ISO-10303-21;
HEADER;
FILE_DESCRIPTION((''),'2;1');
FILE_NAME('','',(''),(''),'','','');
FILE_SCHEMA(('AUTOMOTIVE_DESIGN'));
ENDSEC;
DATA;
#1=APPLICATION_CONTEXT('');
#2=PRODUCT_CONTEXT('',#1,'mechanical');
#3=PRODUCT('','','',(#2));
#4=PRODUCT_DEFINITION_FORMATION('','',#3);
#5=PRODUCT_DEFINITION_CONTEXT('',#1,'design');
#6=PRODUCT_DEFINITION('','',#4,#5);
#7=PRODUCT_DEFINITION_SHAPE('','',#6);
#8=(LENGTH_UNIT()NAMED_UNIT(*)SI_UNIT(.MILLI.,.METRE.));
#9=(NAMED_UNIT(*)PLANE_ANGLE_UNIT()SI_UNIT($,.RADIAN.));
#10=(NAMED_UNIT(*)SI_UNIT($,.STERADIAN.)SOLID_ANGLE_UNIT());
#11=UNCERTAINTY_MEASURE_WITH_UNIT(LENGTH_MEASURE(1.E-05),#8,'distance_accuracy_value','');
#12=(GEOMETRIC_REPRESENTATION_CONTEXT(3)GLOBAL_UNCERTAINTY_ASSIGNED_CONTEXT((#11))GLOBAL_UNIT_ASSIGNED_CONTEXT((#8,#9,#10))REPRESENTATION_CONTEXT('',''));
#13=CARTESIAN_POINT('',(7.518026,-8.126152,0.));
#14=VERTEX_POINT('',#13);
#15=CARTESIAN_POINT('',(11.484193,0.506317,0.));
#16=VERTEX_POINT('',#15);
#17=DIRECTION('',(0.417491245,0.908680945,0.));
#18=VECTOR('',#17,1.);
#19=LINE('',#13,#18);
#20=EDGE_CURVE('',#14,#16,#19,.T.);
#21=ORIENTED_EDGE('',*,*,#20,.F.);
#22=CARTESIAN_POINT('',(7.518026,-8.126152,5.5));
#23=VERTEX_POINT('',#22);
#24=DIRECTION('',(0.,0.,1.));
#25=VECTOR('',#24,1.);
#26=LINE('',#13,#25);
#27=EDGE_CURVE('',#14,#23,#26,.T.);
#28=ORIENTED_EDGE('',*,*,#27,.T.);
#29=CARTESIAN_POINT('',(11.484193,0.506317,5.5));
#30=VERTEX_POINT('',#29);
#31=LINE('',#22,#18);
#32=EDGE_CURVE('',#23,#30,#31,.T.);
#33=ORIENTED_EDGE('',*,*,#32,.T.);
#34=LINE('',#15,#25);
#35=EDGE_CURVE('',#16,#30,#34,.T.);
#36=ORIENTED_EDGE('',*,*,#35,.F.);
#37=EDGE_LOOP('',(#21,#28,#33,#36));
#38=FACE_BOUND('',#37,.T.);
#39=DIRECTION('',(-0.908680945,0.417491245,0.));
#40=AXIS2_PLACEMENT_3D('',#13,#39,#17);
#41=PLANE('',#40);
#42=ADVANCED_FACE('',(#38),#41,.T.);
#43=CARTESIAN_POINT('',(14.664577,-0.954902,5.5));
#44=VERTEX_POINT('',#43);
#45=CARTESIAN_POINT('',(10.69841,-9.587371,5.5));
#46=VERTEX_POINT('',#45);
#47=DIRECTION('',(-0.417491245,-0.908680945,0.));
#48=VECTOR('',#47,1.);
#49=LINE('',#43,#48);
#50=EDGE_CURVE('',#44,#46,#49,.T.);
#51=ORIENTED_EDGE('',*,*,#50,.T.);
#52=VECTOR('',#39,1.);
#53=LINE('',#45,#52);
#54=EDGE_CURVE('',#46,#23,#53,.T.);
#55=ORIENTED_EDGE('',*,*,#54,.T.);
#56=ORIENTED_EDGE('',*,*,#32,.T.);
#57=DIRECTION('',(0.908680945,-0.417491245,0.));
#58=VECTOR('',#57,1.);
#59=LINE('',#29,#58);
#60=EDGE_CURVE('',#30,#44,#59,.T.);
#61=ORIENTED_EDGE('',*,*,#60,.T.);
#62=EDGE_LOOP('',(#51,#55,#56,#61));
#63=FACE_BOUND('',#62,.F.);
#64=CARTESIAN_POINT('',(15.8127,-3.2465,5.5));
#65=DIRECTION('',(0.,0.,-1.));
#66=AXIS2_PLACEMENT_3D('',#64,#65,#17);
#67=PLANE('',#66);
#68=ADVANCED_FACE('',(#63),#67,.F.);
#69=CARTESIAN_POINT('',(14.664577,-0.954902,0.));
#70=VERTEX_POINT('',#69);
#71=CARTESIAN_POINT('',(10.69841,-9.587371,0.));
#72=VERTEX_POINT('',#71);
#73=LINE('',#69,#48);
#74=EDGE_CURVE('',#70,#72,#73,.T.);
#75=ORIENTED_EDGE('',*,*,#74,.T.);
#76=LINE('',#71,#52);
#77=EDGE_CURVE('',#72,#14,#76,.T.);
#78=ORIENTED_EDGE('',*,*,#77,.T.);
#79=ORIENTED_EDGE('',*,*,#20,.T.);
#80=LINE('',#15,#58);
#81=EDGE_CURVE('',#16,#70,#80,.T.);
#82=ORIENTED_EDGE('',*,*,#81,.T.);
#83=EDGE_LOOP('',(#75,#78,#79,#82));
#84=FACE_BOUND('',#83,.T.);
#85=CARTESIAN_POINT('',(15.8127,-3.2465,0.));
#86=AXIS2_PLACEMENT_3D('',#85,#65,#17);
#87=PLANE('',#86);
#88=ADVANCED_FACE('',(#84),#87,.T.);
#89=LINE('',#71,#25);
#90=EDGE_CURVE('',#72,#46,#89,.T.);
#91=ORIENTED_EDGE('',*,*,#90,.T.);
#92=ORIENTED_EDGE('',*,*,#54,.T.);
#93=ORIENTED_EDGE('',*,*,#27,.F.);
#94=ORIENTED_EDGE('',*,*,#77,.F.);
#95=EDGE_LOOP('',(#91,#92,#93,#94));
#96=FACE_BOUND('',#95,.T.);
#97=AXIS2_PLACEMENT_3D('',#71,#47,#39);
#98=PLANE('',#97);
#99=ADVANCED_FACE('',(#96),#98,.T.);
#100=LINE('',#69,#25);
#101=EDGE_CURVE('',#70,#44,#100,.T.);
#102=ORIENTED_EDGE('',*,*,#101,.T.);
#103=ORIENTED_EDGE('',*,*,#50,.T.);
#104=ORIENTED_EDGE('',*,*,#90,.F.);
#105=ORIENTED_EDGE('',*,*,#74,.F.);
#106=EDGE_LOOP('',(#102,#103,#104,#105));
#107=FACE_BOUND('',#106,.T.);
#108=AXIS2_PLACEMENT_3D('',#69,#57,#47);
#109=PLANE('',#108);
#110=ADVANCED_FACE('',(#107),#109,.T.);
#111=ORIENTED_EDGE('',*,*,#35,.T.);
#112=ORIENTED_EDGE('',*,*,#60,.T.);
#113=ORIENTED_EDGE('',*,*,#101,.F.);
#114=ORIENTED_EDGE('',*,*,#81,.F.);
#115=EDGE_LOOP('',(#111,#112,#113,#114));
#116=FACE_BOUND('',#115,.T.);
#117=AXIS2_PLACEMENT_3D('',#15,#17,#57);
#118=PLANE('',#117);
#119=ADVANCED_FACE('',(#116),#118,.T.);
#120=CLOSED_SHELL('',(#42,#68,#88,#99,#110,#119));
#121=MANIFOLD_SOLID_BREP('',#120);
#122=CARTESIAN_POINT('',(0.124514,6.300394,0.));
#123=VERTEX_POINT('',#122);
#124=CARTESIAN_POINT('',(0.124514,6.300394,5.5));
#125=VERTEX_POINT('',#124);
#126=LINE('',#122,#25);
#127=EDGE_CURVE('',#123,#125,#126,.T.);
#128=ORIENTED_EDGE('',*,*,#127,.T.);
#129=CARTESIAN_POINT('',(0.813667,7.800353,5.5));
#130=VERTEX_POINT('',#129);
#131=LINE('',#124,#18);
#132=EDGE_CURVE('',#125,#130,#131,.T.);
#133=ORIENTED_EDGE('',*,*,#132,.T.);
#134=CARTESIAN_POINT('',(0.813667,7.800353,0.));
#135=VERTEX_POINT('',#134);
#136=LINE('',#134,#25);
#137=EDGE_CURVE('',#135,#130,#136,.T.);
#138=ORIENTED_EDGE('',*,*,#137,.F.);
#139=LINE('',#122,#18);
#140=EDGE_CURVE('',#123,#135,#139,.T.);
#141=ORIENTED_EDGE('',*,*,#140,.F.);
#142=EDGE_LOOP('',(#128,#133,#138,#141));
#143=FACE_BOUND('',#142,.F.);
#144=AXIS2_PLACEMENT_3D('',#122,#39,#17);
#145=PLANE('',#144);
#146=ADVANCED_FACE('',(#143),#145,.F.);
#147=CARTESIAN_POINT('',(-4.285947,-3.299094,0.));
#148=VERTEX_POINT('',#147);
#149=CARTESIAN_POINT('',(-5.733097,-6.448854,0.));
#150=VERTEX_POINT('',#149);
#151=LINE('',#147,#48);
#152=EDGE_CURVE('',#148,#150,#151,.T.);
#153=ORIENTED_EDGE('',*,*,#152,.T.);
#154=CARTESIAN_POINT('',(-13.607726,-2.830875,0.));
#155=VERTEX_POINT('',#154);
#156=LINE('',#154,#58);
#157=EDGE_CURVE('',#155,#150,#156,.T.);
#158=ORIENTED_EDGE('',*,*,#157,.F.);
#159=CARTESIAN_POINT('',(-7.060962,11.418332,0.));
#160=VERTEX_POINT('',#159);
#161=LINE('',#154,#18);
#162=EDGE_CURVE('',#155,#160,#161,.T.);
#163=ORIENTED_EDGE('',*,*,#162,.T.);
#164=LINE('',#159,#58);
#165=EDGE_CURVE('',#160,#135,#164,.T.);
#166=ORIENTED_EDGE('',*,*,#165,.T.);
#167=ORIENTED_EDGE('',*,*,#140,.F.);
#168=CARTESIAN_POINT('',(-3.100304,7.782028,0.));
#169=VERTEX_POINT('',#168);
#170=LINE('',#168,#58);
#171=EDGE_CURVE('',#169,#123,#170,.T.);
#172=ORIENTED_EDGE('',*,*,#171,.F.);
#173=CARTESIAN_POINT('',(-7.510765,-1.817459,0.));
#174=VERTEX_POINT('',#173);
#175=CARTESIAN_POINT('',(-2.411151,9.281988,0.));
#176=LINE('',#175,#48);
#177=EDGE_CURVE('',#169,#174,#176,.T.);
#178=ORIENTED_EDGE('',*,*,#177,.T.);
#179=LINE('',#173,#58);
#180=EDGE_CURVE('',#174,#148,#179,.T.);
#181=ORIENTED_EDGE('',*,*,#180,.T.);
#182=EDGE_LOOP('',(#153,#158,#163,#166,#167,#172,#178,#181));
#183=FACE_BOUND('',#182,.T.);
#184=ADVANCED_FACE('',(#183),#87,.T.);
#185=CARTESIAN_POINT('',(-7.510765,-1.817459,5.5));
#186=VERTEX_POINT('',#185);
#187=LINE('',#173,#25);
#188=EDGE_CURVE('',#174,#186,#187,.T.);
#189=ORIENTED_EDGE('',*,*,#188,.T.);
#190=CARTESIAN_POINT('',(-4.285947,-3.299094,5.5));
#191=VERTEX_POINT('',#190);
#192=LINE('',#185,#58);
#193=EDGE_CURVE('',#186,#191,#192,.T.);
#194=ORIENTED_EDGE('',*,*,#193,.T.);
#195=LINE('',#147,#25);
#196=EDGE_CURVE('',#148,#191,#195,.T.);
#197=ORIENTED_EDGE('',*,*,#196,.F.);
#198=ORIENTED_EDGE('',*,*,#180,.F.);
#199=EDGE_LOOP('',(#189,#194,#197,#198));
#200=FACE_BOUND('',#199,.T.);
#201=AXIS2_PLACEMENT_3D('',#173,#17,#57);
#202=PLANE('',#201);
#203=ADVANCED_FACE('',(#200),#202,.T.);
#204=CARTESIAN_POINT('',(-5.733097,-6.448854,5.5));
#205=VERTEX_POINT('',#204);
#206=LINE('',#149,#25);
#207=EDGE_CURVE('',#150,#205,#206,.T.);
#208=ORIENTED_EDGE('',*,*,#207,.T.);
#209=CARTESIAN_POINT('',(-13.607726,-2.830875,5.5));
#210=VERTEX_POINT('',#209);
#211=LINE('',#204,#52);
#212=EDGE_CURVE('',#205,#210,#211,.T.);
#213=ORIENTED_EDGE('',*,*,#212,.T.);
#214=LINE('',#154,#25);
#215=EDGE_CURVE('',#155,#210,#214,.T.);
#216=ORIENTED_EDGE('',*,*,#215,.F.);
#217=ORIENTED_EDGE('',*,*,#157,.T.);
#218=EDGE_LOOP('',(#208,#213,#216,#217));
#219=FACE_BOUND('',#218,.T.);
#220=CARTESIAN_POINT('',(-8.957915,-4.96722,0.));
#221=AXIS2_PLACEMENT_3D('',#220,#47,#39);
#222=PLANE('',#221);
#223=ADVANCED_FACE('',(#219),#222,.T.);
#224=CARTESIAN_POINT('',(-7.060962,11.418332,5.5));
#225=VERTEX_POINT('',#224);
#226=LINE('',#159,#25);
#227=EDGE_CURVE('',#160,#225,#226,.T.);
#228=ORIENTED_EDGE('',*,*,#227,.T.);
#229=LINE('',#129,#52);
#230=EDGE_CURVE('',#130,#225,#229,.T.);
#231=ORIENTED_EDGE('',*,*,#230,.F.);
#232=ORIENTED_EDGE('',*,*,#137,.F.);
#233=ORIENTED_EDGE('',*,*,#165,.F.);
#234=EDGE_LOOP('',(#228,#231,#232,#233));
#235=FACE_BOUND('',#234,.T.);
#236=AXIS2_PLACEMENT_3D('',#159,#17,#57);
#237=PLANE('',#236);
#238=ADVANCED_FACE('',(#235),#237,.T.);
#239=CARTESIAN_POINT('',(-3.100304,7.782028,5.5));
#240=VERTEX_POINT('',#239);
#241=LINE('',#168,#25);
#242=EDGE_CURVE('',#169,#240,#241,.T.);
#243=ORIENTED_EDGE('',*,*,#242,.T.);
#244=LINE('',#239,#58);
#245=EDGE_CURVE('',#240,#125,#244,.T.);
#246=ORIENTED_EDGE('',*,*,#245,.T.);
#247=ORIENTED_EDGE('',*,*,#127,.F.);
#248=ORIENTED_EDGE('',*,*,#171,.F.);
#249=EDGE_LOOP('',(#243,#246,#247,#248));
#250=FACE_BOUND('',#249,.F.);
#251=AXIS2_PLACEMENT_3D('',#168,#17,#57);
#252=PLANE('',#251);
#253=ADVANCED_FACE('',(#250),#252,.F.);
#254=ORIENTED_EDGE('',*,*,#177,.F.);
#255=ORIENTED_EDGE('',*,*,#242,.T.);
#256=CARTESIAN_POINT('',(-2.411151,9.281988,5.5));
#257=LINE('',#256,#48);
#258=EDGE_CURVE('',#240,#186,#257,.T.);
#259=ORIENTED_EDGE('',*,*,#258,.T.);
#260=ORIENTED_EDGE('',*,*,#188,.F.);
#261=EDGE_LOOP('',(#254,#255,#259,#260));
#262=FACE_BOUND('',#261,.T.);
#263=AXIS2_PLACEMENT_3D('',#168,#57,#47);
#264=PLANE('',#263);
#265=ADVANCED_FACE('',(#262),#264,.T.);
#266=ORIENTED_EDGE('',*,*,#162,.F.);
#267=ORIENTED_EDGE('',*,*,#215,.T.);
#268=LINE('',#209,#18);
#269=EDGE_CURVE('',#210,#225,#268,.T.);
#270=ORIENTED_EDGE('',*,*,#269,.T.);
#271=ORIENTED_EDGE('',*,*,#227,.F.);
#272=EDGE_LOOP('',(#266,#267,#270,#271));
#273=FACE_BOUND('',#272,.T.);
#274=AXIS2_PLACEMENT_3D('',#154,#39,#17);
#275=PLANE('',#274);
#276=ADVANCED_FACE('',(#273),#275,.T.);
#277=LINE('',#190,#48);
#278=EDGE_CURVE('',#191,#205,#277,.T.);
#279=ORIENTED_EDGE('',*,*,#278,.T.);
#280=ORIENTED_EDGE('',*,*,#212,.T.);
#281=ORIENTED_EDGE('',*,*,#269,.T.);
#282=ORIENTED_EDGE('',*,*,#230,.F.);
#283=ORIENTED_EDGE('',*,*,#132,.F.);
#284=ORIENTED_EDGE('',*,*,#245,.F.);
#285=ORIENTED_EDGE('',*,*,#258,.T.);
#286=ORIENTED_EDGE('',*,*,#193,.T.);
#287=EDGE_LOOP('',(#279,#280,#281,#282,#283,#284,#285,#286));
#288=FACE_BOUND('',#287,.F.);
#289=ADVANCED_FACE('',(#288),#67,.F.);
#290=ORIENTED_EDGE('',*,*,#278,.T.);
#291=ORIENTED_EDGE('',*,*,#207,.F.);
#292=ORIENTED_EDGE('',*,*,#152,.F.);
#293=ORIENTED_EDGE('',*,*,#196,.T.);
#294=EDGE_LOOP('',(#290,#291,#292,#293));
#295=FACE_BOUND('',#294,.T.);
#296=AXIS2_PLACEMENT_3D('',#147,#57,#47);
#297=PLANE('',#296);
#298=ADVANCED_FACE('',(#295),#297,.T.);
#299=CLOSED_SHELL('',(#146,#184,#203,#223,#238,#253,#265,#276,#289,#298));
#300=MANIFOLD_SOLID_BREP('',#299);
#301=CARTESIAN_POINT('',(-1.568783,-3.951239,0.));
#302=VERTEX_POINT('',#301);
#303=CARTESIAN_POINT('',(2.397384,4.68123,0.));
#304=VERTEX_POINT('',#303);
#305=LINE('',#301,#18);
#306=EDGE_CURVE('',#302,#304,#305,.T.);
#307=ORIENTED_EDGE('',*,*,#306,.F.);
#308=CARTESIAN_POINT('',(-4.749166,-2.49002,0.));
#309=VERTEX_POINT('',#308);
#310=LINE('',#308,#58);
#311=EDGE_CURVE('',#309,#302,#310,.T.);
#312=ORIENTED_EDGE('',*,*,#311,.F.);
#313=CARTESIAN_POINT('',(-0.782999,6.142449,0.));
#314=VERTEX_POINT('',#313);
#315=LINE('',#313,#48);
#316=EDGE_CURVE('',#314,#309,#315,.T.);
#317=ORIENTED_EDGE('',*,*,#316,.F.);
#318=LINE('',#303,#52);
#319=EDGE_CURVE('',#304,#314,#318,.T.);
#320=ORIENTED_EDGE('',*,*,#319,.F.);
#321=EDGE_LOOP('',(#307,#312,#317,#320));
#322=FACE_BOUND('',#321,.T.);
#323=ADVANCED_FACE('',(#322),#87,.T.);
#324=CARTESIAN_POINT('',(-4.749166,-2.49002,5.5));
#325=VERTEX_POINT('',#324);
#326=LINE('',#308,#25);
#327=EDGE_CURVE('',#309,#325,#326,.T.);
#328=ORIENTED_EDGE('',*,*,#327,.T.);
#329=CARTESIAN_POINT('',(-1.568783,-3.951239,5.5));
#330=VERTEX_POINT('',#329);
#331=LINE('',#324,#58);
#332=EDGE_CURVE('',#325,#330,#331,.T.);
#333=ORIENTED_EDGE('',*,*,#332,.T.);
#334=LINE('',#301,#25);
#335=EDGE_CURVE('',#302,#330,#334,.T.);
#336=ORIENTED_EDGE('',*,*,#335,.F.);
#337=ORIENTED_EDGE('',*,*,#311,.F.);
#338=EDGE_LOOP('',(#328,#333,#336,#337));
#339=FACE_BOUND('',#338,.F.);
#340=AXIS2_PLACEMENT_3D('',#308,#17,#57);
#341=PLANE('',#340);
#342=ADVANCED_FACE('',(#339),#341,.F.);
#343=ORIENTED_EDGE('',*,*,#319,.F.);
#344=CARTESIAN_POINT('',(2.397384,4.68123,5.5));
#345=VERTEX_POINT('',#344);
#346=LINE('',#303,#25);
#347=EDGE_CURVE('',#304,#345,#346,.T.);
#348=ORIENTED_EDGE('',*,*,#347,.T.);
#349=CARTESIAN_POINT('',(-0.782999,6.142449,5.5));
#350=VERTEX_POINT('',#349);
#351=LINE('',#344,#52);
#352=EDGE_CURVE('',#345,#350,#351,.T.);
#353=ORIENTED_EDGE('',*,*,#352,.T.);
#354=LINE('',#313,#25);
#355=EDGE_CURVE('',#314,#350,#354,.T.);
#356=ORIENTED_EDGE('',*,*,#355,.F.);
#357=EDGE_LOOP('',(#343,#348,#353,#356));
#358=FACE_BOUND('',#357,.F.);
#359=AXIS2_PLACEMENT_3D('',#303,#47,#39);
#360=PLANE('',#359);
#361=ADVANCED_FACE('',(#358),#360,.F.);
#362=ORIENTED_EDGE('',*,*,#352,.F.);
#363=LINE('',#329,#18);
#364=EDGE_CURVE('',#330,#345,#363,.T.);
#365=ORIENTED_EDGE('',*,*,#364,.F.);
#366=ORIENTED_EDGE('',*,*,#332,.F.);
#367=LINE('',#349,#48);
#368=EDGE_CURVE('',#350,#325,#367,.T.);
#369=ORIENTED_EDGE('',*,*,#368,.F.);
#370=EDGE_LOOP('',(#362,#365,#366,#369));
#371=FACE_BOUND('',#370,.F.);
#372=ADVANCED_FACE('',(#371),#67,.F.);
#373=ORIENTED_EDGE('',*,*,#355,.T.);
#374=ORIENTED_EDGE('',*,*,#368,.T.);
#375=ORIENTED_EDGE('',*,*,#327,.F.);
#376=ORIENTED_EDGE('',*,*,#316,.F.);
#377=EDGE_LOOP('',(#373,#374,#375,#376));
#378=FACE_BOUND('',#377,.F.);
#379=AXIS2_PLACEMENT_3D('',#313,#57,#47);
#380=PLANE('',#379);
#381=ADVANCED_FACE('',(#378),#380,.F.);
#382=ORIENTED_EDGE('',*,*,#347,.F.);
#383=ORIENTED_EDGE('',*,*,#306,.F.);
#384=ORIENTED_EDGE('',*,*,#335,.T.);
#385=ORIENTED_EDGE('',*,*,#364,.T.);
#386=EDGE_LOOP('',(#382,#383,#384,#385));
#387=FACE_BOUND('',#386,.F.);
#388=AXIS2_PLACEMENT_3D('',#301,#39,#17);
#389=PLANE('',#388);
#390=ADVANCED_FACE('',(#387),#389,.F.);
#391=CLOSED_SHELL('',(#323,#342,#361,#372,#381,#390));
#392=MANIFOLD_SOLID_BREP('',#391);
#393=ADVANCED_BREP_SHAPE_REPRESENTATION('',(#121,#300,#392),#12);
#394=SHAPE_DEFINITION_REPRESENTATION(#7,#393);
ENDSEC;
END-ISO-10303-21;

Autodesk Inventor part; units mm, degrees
ref_plane "YZ Plane" through (0, 0, 0) normal (1, 0, 0) x (0, 1, 0)
ref_plane "XZ Plane" through (0, 0, 0) normal (0, 1, 0) x (-1, 0, 0)
ref_plane "XY Plane" through (0, 0, 0) normal (0, 0, 1) x (1, 0, 0)
ref_plane "Work Plane1" through (0, 0, 0) normal (0, 0, 1) x (1, 0, 0)
ref_plane "Work Plane2" through (15.8127, -3.2465, 0) normal (0, 0, -1) x (0.4175, 0.9087, 0)
sketch "Sketch1" plane through (15.8127, -3.2465, 0) normal (0, 0, -1) x (0.4175, 0.9087, 0)
  arc A0 (9.303, -26.8555) -> (8.303, -25.8555) centre (8.303, -26.8555) ccw construction
  line L0 (9.303, -26.8555) -> (9.303, -30) construction
  line L1 (9.303, -30) -> (-16.397, -30) construction
  line L2 (-16.397, -30) -> (-16.397, -20.4723) construction
  arc A1 (-15.397, -19.4723) -> (-16.397, -20.4723) centre (-15.397, -20.4723) ccw construction
  line L3 (-15.397, -19.4723) -> (-13.5347, -19.4723) construction
  arc A2 (-13.5347, -19.4723) -> (-12.5347, -18.4723) centre (-13.5347, -18.4723) ccw construction
  line L4 (-12.5347, -18.4723) -> (-12.5347, 0) construction
  line L5 (-12.5347, 0) -> (-1, 0) construction
  arc A3 (-1, 0) -> (0, 1) centre (-1, 1) ccw construction
  line L6 (0, 1) -> (0, 2) construction
  arc A4 (1, 3) -> (0, 2) centre (1, 2) ccw construction
  line L7 (1, 3) -> (3.5653, 3) construction
  arc A5 (4.5653, 2) -> (3.5653, 3) centre (3.5653, 2) ccw construction
  line L8 (4.5653, 2) -> (4.5653, -24.8555) construction
  arc A6 (4.5653, -24.8555) -> (5.5653, -25.8555) centre (5.5653, -24.8555) ccw construction
  line L9 (5.5653, -25.8555) -> (8.303, -25.8555) construction
  line L10 (2.603, -17.5) -> (2.603, -2) construction
  line L11 (2.603, -2) -> (-10.897, -2) construction
  line L12 (-10.897, -2) -> (-10.897, -17.5) construction
  line L13 (-10.897, -17.5) -> (2.603, -17.5) construction
  circle A7 centre (6.603, -27.5) radius 1 construction
  circle A8 centre (-13.897, -21) radius 1 construction
  circle A9 centre (1.603, 0.5) radius 1 construction
  line L14 (1.603, -19) -> (-7.897, -19)
  line L15 (-7.897, -19) -> (-7.897, -15.5)
  line L16 (-7.897, -15.5) -> (1.603, -15.5)
  line L17 (1.603, -15.5) -> (1.603, -19)
  line L18 (1.603, -2) -> (-7.897, -2)
  line L19 (-7.897, -2) -> (-7.897, -5.5)
  line L20 (-7.897, -5.5) -> (1.603, -5.5)
  line L21 (1.603, -5.5) -> (1.603, -2)
  point P0 (-3.6519, -15.7241)
  dimension "d0" = 9.5
  dimension "d1" = 3.5
  dimension "d2" = 9.5
  dimension "d3" = 3.5
  dimension "d4" = 0
  dimension "d5" = 2.5
  dimension "d6" = 10
  dimension "d7" = 0
extrude "Extrusion1" add sketch "Sketch1" against normal blind 5.5
ref_plane "Work Plane3" through (0, 0, -1) normal (0, 0, -1) x (-1, 0, 0)
sketch "Sketch2" plane through (15.8127, -3.2465, 0) normal (0, 0, -1) x (0.4175, 0.9087, 0)
  line L0 (-11.9051, -26.9073) -> (3.7761, -26.9073)
  line L1 (3.7761, -26.9073) -> (3.7761, -21.7902)
  line L2 (3.7761, -21.7902) -> (-11.9051, -21.7902)
  line L3 (-11.9051, -21.7902) -> (-11.9051, -26.9073)
  line L4 (3.7761, -21.7902) -> (2.1254, -21.7902)
  line L5 (2.1254, -21.7902) -> (2.1254, -18.2413)
  line L6 (2.1254, -18.2413) -> (3.7761, -18.2413)
  line L7 (3.7761, -18.2413) -> (3.7761, -21.7902)
  line L8 (-8.4388, -18.2413) -> (-11.9051, -18.2413)
  line L9 (-11.9051, -18.2413) -> (-11.9051, -21.7902)
  line L10 (-11.9051, -21.7902) -> (-8.4388, -21.7902)
  line L11 (-8.4388, -21.7902) -> (-8.4388, -18.2413)
  point P0 (-3.6519, -15.7241)
extrude "Extrusion2" add sketch "Sketch2" against normal blind 5.5
properties part number "00_KES_Bluray_Magnet"
